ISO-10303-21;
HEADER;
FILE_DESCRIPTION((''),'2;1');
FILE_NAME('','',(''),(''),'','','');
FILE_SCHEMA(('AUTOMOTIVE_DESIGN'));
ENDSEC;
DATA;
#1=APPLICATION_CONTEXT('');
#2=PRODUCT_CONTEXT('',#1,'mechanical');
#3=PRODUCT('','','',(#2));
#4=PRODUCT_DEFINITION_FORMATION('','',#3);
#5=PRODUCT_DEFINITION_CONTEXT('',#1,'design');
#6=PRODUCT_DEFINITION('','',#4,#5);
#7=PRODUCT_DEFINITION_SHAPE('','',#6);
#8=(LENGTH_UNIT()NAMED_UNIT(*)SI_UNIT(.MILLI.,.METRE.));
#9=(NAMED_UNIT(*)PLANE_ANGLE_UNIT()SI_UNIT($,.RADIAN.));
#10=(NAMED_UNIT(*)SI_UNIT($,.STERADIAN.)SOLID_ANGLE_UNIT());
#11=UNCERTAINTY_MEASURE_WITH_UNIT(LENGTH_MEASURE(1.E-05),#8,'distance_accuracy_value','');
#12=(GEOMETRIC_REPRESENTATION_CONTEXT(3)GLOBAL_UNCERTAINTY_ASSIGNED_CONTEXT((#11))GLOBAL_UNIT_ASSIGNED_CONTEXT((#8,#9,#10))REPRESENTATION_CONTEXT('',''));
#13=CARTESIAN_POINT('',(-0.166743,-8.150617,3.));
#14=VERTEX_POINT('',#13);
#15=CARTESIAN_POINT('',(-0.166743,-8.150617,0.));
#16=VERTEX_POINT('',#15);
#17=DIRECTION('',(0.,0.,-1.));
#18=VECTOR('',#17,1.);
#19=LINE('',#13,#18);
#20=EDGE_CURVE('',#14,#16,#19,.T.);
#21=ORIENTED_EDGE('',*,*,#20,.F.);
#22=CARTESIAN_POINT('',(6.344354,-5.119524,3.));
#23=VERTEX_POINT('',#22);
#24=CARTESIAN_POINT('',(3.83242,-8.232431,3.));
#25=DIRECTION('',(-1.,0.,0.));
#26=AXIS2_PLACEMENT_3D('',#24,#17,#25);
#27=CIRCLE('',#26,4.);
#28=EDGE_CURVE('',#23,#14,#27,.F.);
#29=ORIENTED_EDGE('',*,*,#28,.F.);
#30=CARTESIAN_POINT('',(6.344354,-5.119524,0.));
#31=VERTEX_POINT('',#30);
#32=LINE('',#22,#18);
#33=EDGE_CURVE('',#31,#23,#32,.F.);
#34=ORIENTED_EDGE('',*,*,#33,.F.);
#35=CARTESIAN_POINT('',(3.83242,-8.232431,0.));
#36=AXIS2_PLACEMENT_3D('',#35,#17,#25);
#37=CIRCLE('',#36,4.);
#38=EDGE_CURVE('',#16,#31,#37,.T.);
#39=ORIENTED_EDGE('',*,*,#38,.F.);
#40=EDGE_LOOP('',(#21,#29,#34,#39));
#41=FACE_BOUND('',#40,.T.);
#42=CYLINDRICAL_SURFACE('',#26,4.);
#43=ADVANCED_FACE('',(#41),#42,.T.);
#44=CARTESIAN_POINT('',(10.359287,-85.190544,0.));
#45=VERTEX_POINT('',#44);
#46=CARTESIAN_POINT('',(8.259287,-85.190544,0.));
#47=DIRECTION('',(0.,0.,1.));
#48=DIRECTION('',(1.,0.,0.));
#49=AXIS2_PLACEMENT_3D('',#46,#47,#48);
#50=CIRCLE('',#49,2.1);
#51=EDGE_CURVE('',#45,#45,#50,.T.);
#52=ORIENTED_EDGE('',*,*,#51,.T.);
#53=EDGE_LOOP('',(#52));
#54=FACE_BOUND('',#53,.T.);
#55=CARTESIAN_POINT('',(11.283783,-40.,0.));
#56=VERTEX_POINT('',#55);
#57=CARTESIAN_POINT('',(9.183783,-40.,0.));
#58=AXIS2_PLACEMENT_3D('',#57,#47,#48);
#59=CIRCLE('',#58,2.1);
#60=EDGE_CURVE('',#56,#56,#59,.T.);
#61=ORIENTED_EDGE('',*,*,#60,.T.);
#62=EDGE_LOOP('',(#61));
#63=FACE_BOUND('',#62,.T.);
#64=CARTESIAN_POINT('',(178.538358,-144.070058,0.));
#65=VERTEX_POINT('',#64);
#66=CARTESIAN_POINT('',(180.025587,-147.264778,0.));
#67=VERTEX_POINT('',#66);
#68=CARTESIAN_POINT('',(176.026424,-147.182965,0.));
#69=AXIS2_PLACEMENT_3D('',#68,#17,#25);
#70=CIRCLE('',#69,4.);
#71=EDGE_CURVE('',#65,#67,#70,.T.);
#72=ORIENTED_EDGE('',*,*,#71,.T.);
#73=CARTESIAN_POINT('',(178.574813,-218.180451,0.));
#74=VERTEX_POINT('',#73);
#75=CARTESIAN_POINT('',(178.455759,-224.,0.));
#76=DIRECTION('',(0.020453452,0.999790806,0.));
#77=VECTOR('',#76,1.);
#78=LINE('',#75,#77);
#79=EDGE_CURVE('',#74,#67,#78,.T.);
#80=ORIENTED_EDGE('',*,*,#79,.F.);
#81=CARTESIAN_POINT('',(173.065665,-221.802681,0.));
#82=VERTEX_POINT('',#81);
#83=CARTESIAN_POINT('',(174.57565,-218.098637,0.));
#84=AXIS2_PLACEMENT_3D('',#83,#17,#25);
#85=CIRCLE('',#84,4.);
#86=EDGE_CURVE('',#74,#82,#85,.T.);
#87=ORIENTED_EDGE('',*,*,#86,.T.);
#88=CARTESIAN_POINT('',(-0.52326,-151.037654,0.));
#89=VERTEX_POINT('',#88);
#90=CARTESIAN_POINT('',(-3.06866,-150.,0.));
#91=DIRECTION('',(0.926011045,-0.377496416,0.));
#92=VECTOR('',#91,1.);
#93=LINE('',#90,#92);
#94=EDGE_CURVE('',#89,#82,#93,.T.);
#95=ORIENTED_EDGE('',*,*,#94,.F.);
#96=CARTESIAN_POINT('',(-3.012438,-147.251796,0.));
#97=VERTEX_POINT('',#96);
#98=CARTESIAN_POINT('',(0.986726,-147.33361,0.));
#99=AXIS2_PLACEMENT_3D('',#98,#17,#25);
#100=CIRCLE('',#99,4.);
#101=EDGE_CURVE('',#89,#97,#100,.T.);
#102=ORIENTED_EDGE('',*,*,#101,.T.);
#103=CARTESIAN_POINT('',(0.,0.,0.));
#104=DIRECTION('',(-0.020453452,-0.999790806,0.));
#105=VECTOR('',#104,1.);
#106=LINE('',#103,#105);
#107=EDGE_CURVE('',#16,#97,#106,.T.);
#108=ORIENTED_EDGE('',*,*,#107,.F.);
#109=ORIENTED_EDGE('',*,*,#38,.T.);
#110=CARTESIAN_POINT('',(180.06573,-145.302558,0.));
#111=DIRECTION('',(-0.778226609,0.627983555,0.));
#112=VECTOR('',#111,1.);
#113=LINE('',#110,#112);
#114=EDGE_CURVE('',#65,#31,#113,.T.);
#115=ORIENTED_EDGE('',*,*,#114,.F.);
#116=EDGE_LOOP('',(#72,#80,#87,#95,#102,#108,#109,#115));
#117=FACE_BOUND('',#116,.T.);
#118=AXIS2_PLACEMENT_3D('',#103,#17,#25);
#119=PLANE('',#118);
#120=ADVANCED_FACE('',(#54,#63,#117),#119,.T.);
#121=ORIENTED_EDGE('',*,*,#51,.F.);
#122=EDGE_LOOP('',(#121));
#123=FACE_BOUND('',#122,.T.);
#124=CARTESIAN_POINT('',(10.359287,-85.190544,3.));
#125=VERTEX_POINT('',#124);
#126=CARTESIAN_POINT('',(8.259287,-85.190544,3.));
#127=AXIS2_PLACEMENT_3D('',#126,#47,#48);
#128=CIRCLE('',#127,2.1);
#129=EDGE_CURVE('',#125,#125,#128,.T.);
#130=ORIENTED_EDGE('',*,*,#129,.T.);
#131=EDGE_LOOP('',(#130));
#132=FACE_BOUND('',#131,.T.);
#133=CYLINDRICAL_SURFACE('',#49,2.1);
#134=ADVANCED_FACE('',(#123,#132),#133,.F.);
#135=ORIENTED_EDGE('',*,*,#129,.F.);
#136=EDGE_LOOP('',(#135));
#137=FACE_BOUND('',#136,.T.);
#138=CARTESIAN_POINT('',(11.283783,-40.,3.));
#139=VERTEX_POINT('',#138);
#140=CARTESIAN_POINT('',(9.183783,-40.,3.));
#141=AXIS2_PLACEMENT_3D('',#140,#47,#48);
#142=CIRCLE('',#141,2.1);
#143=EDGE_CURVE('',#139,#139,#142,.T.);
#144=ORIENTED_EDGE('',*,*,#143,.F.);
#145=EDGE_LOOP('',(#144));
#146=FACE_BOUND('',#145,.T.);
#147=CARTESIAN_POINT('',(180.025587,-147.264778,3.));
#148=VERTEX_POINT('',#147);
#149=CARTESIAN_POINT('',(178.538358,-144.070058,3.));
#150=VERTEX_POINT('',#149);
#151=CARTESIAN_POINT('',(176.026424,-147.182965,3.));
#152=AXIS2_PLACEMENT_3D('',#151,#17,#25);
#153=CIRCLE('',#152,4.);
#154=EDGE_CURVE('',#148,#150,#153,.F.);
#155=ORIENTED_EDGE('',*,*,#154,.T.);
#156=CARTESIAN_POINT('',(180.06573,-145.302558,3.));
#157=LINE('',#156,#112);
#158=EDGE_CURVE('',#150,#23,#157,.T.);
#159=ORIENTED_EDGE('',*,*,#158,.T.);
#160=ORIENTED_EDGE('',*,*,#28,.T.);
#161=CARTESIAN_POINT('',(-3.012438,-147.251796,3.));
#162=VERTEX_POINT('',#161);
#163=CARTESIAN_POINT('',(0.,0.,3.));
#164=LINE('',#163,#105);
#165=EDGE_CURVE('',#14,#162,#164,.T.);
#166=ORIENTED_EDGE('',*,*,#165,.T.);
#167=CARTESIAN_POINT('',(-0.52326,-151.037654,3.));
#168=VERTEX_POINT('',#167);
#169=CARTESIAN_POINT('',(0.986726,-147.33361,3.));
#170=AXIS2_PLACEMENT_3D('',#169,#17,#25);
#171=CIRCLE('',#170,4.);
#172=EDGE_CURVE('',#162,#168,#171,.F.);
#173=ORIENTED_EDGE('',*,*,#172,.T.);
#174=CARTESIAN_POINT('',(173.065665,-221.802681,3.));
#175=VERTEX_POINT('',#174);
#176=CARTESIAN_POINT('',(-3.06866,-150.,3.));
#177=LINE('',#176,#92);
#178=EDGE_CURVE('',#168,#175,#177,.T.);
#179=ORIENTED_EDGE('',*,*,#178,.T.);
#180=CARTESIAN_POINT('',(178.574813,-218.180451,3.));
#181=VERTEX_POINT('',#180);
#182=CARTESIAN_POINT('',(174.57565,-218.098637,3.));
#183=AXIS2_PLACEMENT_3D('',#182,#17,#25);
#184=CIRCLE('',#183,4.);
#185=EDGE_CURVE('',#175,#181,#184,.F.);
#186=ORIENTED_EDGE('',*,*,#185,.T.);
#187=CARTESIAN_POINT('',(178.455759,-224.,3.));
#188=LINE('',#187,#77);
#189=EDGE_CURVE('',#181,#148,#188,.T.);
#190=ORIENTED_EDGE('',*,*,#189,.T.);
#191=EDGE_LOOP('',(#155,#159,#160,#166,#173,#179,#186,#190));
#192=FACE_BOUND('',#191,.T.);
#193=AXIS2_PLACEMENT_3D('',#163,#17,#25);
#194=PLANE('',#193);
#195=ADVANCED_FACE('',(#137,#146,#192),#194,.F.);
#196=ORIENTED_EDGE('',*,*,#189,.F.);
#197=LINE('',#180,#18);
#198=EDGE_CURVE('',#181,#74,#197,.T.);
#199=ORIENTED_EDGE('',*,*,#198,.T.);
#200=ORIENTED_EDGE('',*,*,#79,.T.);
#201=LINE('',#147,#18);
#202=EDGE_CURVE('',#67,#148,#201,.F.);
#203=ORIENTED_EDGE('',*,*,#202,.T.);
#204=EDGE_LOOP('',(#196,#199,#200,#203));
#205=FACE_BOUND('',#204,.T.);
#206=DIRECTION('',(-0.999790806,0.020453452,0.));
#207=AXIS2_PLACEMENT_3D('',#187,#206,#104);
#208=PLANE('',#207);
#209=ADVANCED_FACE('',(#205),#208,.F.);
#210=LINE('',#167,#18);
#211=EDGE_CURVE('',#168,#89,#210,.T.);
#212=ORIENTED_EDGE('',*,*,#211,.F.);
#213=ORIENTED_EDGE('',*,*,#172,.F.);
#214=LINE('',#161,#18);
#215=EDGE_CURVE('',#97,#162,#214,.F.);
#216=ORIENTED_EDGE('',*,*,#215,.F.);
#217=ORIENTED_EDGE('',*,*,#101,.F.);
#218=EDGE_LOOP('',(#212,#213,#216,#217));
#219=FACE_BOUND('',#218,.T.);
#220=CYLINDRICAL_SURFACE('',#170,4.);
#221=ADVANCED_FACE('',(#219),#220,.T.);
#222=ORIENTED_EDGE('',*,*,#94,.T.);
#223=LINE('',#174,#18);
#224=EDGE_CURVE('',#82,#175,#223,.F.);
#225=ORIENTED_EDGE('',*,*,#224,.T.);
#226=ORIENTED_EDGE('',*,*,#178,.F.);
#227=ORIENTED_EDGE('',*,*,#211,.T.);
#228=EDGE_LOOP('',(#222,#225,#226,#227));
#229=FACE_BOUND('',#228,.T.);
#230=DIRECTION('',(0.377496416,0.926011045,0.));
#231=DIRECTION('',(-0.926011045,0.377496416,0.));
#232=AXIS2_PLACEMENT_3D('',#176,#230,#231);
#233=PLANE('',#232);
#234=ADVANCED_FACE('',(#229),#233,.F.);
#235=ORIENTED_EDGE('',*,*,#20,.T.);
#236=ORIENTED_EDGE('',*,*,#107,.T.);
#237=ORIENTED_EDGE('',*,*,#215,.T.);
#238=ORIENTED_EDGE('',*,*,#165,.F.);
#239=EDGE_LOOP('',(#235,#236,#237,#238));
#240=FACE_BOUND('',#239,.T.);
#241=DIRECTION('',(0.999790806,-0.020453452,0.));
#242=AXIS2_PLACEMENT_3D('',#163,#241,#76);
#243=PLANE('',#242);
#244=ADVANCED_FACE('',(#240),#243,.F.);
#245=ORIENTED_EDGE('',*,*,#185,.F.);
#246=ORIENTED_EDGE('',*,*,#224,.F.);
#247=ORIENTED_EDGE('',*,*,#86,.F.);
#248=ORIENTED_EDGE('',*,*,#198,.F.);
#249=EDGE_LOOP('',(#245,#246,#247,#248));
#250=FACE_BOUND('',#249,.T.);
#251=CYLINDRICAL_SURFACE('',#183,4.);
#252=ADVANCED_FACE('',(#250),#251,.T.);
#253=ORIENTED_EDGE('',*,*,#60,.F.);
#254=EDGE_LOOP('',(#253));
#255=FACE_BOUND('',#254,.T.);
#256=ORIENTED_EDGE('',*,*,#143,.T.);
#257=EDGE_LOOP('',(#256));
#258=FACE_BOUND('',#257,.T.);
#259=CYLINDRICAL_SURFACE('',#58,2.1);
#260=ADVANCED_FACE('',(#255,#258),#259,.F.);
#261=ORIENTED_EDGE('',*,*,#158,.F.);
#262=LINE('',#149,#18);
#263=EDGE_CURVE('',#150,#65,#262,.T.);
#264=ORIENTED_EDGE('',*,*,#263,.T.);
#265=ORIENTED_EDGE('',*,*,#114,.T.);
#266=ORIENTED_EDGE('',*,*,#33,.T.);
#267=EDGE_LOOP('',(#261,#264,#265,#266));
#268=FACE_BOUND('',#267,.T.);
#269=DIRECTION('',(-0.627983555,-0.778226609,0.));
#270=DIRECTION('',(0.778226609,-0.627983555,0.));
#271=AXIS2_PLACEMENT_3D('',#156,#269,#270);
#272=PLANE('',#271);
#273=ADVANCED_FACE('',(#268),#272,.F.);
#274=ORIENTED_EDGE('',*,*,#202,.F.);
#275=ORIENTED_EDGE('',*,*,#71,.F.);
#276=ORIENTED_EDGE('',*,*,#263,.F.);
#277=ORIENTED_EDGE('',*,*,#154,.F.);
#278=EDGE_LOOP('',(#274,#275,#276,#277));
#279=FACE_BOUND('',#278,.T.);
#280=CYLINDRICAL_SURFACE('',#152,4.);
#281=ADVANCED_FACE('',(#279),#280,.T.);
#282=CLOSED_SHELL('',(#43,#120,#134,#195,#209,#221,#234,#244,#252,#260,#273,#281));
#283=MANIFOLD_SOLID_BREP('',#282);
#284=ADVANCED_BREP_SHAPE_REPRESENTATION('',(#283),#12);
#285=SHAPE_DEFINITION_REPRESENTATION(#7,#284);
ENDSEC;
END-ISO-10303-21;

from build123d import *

# Parameters (mm, degrees)
EXTRUDE_1_DEPTH     = 3
FILLET_1_R          = 4
SKETCH_2_R          = 2.1
CUT_EXTRUDE_1_DEPTH = 3


with BuildPart() as part:
    # Эскиз1 → Бобышка-Вытянуть1 (new body)
    with BuildSketch(Plane.XY):
        Polygon((0, 0), (-3.068659699, -150), (178.455758645, -224), (180.065729767, -145.302558134), align=None)
    extrude(amount=EXTRUDE_1_DEPTH)

    # Скругление1
    fillet_1_edges = [part.edges().sort_by_distance(p)[0] for p in [
        (178.455758645, -224, 1.5),
        (-3.068659699, -150, 1.5),
        (0, 0, 1.5),
        (180.065729767, -145.302558134, 1.5),
    ]]
    fillet(fillet_1_edges, radius=FILLET_1_R)

    # Эскиз2 → Вырез-Вытянуть1 (cut)
    with BuildSketch(Plane.XY.offset(3)):
        with Locations((9.183783122, -40)):
            Circle(SKETCH_2_R)
        with Locations((8.259287105, -85.190544444)):
            Circle(SKETCH_2_R)
    extrude(amount=-CUT_EXTRUDE_1_DEPTH, mode=Mode.SUBTRACT)


solid = part.part
